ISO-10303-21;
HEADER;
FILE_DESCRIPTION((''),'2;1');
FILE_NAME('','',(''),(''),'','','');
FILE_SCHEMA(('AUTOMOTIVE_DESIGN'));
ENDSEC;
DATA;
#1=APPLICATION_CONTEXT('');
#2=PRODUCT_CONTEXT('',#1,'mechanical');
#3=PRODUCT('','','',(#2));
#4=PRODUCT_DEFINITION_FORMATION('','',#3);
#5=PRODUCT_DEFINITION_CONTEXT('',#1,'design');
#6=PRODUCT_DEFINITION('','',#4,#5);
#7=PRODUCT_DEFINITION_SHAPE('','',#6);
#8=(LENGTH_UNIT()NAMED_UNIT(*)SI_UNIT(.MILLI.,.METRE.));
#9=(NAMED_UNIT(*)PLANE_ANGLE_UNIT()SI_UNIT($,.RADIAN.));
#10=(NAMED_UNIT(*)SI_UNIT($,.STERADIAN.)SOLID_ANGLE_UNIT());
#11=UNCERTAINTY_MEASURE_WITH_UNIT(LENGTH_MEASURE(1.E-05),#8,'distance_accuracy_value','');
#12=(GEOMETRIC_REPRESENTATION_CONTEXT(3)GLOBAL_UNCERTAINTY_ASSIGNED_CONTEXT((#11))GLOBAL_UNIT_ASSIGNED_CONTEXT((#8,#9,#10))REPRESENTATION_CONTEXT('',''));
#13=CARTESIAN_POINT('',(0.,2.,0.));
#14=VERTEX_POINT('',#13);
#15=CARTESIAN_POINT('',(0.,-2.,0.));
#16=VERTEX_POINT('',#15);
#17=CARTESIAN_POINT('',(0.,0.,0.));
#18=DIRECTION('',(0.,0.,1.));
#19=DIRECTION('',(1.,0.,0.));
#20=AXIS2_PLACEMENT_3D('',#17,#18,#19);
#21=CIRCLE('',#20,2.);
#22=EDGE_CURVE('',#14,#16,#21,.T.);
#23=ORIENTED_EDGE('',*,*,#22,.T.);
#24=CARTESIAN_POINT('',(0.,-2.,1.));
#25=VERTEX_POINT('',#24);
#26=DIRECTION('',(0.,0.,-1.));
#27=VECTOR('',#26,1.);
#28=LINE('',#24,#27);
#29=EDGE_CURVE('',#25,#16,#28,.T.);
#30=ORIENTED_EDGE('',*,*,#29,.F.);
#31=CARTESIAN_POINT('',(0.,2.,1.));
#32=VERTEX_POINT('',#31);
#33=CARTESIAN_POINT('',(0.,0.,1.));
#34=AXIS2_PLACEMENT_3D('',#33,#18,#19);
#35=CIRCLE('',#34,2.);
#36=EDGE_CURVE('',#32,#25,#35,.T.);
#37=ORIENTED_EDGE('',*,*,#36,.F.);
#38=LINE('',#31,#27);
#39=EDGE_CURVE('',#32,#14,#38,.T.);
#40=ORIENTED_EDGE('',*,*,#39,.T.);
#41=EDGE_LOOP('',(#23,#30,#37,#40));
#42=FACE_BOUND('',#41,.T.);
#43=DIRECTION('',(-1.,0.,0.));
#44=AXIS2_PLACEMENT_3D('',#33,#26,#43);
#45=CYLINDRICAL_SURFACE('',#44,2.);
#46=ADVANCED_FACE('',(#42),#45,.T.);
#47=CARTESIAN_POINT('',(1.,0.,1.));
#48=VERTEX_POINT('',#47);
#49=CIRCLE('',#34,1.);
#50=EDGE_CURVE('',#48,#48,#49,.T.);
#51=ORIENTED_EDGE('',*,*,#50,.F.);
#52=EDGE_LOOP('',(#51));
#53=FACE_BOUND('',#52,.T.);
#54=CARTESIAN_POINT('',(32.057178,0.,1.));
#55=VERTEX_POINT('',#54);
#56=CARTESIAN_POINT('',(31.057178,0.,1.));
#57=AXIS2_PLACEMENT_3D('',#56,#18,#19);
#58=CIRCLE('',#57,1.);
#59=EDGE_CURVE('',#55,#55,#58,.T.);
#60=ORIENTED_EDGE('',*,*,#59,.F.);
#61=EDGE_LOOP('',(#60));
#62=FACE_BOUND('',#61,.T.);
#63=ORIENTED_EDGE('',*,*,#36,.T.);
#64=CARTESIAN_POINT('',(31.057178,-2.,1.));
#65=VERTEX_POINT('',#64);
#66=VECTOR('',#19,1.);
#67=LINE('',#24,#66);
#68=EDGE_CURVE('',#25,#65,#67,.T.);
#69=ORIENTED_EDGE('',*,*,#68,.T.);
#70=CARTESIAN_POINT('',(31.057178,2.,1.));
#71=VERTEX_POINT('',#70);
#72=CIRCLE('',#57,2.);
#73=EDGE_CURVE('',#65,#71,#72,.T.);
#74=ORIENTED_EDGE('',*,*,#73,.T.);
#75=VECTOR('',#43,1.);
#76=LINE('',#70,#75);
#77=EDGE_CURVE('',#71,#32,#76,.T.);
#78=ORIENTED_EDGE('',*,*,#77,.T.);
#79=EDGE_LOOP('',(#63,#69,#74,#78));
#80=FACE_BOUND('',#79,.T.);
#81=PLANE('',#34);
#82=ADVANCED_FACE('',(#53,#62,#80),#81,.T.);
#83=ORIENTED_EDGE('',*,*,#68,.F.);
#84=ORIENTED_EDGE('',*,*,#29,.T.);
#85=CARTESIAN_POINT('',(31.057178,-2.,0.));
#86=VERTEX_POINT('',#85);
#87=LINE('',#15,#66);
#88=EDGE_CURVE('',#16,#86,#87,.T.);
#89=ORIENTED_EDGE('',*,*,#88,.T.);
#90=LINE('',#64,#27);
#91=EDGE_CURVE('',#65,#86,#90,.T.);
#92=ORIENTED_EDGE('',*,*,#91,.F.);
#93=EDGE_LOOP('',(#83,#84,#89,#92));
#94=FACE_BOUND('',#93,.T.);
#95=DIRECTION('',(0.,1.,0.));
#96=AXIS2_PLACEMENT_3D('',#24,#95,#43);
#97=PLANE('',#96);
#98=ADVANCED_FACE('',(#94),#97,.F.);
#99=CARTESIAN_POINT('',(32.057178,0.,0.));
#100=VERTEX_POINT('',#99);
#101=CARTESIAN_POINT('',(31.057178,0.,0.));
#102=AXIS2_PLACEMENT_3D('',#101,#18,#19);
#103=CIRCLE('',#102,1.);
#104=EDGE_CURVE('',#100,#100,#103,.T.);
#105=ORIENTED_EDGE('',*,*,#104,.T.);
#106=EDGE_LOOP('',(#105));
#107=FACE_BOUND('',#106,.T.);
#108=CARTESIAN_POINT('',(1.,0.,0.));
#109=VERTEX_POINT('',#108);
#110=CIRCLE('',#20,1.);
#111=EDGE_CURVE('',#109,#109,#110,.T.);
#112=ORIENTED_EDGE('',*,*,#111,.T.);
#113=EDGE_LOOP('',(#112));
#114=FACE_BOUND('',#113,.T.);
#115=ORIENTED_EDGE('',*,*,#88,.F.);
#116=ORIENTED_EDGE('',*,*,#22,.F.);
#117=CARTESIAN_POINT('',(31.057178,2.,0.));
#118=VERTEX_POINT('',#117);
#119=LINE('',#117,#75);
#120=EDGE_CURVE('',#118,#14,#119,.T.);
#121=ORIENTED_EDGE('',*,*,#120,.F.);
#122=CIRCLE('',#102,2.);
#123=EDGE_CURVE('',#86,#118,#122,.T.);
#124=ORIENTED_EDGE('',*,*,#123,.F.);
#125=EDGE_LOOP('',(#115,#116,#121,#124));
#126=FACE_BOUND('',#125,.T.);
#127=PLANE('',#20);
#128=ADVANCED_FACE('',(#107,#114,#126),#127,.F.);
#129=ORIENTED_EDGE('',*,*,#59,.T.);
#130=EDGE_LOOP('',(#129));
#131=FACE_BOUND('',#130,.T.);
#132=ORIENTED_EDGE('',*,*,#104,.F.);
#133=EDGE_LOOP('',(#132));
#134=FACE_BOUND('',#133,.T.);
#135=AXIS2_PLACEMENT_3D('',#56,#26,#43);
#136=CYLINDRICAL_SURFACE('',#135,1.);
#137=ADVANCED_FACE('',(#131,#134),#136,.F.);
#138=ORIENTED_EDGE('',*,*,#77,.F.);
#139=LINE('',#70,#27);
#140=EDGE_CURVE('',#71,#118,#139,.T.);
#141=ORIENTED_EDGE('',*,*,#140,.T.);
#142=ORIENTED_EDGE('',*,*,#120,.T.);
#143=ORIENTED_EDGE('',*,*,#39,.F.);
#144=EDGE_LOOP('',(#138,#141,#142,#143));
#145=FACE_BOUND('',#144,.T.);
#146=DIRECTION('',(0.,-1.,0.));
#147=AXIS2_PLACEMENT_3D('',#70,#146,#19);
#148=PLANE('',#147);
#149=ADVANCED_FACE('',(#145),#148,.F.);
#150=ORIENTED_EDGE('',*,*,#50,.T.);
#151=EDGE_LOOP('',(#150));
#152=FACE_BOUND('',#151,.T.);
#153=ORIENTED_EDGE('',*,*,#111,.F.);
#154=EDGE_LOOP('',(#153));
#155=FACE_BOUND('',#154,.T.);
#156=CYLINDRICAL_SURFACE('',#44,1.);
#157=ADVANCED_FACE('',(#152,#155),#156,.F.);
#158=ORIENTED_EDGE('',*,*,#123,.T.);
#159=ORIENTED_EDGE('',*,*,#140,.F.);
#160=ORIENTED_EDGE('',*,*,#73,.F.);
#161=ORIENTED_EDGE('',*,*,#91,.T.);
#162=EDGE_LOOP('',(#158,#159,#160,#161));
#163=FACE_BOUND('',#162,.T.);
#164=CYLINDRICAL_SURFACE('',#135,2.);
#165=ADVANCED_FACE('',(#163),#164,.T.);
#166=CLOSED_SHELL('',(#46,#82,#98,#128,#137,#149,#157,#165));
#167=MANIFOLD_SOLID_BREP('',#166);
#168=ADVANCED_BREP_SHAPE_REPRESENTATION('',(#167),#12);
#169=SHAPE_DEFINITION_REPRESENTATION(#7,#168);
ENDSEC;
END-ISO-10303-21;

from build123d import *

# Parameters (mm, degrees)
SKETCH1_R           = 1
BOSS_EXTRUDE1_DEPTH = 1


with BuildPart() as part:
    # Sketch1 → Boss-Extrude1 (new body)
    with BuildSketch(Plane.XY):
        with BuildLine():
            Line((0, -2), (31.057177912, -2))
            ThreePointArc((31.057177912, -2), (33.057177912, 0), (31.057177912, 2))
            Line((31.057177912, 2), (0, 2))
            ThreePointArc((0, 2), (-2, 0), (0, -2))
        make_face()
        Circle(SKETCH1_R, mode=Mode.SUBTRACT)
        with Locations((31.057177912, 0)):
            Circle(SKETCH1_R, mode=Mode.SUBTRACT)
    extrude(amount=BOSS_EXTRUDE1_DEPTH)


solid = part.part
